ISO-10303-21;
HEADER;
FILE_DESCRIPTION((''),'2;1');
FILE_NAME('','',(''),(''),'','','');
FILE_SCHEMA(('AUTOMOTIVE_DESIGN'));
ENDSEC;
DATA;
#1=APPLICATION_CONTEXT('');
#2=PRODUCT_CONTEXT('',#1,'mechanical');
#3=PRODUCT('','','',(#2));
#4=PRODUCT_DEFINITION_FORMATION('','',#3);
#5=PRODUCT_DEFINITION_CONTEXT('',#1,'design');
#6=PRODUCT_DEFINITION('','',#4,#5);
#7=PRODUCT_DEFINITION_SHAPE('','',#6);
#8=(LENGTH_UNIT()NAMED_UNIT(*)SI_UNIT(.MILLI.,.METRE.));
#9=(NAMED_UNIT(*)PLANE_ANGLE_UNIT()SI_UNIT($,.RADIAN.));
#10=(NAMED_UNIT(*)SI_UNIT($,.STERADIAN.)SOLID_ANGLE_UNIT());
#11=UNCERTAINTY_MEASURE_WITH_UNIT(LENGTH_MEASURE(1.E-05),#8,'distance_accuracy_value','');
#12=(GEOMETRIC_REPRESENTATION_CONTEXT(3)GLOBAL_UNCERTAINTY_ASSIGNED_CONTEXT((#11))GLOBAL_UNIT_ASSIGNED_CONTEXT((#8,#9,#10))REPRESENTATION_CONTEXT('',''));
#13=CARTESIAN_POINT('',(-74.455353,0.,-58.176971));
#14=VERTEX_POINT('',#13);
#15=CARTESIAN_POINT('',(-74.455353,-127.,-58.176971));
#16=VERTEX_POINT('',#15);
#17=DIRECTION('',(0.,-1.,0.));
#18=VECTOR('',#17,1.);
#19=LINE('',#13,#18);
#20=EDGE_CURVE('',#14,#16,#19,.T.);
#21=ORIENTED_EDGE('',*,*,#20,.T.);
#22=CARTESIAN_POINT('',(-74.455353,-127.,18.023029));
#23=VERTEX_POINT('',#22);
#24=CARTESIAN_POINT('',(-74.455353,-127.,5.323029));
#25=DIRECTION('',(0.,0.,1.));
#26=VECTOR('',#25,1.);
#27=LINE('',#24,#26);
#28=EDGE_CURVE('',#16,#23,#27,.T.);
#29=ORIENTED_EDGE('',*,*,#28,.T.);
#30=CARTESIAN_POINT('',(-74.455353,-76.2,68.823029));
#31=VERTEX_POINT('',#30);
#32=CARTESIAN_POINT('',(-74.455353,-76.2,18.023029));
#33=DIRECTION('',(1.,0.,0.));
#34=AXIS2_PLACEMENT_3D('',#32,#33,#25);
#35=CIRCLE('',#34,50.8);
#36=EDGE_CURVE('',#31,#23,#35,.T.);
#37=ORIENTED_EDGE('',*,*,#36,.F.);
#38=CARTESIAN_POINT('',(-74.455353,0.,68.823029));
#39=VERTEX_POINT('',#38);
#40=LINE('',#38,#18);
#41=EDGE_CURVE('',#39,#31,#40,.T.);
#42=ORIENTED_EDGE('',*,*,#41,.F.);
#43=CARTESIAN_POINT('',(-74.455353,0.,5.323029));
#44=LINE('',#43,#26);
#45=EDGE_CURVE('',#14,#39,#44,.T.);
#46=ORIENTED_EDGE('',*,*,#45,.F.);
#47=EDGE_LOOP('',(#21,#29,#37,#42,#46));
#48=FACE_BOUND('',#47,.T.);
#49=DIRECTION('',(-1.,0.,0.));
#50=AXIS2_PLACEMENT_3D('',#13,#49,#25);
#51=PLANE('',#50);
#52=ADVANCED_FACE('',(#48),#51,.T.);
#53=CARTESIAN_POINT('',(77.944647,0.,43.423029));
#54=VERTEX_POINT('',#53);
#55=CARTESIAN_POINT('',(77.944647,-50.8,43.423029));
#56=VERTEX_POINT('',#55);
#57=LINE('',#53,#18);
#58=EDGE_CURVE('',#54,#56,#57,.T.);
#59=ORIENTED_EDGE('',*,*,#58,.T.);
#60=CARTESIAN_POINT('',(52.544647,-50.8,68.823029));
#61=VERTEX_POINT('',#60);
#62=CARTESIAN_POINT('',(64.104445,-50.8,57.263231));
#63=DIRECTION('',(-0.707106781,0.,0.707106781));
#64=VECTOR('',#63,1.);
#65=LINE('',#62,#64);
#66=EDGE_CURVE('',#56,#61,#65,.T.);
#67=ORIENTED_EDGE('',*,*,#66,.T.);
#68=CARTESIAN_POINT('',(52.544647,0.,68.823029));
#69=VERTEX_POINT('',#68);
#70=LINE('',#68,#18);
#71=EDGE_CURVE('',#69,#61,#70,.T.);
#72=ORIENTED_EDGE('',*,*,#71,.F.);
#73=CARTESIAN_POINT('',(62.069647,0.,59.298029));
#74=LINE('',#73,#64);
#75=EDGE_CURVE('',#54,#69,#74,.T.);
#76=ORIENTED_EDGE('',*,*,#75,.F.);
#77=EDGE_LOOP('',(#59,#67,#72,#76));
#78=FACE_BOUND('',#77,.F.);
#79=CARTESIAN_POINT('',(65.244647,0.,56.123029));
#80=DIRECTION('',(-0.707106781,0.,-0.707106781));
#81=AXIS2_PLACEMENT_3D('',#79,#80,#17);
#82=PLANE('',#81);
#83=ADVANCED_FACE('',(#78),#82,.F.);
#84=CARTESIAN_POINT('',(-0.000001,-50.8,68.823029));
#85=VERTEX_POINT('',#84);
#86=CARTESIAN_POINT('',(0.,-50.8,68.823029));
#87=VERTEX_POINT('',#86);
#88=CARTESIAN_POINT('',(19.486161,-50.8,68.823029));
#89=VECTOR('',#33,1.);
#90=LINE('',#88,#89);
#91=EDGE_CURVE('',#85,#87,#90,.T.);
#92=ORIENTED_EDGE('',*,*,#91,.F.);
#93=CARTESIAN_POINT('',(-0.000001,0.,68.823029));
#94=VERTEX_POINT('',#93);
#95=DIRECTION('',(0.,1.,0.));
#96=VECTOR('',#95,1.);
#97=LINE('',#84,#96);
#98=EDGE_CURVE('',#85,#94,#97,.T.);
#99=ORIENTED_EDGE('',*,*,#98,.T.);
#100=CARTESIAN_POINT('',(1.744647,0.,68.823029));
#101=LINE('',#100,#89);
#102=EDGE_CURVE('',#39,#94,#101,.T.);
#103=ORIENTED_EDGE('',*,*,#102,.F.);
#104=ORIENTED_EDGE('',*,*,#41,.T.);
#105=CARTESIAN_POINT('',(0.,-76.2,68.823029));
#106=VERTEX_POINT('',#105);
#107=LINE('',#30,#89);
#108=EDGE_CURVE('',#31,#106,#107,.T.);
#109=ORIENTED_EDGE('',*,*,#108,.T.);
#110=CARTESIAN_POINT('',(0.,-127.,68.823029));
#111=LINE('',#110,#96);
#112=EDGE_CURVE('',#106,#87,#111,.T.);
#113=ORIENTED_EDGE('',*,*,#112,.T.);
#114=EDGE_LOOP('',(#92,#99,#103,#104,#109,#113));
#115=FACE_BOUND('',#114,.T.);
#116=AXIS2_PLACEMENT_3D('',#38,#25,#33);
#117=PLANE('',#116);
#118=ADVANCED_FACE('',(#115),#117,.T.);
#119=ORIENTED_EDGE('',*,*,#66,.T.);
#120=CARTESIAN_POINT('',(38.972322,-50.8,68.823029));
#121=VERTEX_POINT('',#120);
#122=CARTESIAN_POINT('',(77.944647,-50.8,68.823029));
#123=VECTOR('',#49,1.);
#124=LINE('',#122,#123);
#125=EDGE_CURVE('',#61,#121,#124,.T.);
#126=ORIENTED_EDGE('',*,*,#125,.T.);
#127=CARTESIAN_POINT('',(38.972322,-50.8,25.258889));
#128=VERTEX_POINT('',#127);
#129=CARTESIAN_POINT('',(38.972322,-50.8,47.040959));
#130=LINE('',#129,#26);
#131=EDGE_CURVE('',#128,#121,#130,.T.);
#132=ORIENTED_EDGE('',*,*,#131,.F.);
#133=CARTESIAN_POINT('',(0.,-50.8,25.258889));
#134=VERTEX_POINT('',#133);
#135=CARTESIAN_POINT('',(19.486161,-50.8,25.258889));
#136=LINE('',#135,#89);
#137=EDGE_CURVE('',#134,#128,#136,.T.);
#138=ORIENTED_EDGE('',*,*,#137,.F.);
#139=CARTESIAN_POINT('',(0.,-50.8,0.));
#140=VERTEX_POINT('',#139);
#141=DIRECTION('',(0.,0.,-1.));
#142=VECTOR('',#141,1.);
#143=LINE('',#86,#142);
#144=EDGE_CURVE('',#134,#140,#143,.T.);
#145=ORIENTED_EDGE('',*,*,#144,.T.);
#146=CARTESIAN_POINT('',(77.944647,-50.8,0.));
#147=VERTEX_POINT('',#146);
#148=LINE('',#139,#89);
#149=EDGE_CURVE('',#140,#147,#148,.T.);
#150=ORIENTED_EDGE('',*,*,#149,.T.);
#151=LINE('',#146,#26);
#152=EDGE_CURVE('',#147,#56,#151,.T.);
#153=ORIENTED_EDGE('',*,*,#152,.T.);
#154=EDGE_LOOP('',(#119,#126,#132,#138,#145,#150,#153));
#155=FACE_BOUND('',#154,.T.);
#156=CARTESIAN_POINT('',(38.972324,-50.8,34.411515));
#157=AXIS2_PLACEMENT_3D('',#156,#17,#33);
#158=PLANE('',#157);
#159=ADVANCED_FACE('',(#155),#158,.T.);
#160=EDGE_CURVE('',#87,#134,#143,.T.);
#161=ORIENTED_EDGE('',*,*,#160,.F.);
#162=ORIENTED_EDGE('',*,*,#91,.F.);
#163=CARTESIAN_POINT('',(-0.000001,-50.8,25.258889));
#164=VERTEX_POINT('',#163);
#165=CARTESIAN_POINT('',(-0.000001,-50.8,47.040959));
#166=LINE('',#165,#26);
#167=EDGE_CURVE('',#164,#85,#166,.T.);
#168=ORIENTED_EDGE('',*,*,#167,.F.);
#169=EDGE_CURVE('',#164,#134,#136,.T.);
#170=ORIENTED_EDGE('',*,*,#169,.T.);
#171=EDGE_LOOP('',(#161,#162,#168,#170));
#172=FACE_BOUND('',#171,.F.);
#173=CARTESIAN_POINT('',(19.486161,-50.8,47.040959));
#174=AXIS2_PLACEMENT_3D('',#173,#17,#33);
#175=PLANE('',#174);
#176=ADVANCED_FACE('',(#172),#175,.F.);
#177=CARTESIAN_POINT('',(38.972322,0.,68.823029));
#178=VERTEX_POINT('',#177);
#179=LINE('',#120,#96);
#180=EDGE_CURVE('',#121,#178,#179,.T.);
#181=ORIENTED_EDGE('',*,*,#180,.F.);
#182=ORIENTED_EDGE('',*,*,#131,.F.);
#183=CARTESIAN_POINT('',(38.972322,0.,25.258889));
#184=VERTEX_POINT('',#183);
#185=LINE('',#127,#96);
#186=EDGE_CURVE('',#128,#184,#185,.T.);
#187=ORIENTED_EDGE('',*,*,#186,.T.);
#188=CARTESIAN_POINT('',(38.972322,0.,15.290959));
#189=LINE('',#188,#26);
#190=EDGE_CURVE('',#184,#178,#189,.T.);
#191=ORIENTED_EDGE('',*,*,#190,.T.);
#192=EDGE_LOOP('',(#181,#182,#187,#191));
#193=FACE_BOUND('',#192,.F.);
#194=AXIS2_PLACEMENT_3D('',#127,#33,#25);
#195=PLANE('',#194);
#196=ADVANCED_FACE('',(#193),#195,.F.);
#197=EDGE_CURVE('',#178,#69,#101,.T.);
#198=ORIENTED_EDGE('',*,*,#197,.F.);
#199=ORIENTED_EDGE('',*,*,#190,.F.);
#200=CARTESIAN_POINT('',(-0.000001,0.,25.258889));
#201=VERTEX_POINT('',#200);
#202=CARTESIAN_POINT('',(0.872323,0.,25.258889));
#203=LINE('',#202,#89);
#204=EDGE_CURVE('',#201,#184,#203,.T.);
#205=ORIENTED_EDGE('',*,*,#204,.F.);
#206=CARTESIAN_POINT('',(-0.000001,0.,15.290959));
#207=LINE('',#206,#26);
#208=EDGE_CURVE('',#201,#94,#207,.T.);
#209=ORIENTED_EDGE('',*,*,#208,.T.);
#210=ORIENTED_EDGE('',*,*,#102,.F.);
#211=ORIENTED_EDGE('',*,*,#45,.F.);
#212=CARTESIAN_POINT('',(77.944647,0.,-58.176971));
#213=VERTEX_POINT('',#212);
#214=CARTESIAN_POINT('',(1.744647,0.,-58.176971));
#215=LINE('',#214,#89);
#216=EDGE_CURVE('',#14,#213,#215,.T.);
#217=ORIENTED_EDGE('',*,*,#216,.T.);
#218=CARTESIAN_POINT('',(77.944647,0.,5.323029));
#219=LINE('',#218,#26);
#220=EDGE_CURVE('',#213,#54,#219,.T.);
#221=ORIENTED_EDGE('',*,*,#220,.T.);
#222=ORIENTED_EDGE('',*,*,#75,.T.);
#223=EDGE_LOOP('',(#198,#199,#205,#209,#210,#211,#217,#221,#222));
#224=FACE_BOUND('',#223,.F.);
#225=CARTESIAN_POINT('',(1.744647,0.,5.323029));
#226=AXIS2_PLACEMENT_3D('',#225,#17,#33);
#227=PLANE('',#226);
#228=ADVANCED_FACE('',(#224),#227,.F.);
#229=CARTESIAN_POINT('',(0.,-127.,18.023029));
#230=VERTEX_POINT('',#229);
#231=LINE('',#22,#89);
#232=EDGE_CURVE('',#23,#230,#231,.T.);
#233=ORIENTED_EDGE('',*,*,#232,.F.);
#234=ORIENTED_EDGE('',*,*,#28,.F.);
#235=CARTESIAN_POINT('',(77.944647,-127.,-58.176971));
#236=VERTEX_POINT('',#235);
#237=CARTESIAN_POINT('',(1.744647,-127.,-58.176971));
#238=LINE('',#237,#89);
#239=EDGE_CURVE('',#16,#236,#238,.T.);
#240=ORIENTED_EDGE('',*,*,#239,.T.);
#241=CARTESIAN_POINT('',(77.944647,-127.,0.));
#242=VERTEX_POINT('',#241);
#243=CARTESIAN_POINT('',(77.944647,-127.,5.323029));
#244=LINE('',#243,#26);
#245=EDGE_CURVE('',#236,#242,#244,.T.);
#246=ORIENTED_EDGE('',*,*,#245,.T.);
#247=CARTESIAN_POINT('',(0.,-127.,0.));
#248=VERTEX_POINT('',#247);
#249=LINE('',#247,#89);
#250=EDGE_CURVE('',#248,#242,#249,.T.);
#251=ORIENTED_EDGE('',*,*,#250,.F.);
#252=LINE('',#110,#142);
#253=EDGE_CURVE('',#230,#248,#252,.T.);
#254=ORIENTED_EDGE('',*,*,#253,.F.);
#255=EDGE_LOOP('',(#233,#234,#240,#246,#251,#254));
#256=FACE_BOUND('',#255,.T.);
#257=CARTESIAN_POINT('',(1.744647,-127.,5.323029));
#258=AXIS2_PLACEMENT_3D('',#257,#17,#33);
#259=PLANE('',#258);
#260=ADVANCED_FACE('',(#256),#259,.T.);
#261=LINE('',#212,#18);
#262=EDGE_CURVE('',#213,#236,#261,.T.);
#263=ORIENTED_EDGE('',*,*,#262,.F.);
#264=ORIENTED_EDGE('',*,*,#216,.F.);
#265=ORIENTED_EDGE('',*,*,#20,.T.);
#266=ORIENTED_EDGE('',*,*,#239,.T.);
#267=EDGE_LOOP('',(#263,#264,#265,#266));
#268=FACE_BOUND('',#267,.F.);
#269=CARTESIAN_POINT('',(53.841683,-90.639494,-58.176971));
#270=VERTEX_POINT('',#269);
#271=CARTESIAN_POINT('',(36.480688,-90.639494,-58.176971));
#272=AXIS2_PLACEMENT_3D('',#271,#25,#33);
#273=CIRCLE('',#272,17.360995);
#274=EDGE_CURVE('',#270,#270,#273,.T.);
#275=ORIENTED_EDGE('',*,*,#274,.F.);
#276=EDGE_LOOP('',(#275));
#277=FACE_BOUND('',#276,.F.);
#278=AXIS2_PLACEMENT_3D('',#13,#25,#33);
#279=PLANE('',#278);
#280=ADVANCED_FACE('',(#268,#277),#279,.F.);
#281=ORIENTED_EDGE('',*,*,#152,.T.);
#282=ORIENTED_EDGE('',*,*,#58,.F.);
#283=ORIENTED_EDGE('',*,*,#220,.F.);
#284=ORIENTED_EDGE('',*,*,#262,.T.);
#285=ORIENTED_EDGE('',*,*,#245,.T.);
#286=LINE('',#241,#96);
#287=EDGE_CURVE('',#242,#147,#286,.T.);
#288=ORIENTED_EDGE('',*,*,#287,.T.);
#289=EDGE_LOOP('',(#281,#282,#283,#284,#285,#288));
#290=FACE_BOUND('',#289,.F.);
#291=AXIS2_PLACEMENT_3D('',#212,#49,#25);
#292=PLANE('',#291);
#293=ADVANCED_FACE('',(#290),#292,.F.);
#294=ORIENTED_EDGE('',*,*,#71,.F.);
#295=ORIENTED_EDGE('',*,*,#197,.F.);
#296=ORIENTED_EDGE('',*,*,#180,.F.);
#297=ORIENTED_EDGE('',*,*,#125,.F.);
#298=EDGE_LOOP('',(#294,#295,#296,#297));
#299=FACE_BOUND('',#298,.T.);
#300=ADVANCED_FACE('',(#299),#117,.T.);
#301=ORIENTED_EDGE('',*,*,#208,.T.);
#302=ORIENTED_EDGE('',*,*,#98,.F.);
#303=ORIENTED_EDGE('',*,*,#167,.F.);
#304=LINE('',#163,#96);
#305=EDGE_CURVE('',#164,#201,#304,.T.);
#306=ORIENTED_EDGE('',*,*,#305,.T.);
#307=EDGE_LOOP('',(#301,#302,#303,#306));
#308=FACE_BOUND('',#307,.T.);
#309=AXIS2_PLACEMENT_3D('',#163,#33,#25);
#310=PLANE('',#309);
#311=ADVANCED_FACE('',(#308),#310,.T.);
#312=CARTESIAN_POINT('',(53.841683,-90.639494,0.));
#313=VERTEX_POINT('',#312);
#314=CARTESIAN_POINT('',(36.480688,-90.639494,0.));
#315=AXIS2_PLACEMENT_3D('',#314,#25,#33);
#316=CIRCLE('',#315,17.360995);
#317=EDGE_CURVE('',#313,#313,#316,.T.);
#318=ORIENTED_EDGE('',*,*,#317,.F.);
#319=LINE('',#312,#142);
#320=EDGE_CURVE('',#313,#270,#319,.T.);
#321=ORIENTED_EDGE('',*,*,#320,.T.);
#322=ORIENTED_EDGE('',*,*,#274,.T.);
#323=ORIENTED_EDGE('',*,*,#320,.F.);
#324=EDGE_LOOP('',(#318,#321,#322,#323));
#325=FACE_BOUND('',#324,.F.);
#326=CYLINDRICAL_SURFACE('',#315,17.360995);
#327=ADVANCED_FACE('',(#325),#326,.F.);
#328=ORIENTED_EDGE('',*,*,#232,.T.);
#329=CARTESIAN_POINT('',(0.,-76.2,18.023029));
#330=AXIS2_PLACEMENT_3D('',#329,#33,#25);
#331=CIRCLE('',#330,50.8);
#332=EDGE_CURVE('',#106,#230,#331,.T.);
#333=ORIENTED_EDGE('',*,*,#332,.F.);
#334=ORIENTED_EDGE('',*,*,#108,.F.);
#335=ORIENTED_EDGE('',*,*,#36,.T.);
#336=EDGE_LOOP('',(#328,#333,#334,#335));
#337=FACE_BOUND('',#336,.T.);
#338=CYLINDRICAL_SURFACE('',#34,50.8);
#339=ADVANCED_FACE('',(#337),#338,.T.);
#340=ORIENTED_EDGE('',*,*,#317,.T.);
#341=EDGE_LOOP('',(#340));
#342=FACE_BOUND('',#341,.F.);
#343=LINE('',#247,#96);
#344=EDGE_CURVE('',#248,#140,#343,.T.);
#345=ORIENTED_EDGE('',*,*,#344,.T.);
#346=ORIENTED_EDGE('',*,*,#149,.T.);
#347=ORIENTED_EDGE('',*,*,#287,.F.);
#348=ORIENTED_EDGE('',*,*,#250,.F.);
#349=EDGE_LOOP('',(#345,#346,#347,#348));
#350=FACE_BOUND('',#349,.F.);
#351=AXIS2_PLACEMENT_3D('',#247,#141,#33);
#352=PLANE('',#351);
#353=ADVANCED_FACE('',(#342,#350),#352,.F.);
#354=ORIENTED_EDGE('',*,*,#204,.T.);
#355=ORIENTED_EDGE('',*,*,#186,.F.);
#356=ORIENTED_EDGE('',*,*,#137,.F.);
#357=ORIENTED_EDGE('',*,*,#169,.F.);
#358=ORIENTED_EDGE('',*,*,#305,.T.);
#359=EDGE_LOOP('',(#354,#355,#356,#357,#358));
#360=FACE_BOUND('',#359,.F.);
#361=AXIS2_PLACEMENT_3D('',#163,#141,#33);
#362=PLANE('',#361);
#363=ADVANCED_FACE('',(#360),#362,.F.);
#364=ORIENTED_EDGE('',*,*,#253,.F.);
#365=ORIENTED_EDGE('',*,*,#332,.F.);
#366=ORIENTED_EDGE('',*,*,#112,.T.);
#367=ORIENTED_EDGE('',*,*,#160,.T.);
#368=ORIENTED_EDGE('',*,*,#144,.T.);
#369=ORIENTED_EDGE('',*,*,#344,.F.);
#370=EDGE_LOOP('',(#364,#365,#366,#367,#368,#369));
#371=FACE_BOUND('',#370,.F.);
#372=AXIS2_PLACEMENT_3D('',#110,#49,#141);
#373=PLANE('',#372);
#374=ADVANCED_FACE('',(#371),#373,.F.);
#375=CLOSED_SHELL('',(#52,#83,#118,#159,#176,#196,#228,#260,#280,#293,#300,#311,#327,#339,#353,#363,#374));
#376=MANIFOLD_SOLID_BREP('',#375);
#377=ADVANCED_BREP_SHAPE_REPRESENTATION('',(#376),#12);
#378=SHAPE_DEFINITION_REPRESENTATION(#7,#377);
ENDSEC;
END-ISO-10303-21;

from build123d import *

# Parameters (mm, degrees)
F0_W     = 152.4
F0_H     = 127
F1_DEPTH = 127
F3_DEPTH = 76.2
F4_W     = 38.972323
F4_H     = 43.56414
F5_DEPTH = 50.801
F6_R     = 17.360995
F7_DEPTH = 58.177971
F8_SIZE  = 25.4
F9_R     = 50.8


with BuildPart() as f1:
    # F0 (on Front) → F1 (new body)
    with BuildSketch(Plane.XZ):
        with Locations((1.744647, 5.323029)):
            Rectangle(F0_W, F0_H)
    extrude(amount=F1_DEPTH)

    # F2 (on face) → F3 (cut)
    with BuildSketch(Plane.XZ.offset(127)):
        Polygon((1.744647, 68.823029), (0, 68.823029), (0, 0), (77.944647, 0), (77.944647, 68.823029), align=None)
    extrude(amount=-F3_DEPTH, mode=Mode.SUBTRACT)

    # F4 (on face) → F5 (cut, through all)
    with BuildSketch(Plane.XZ.offset(50.8)):
        with Locations((19.486161, 47.040959)):
            Rectangle(F4_W, F4_H)
    extrude(amount=-F5_DEPTH, mode=Mode.SUBTRACT)

    # F6 (on face) → F7 (cut, through all)
    with BuildSketch(Plane.XY):
        with Locations((36.480688, -90.639494)):
            Circle(F6_R)
    extrude(amount=-F7_DEPTH, mode=Mode.SUBTRACT)

    # F8
    f8_edges = [f1.edges().sort_by_distance(p)[0] for p in [
        (77.944647, -25.4, 68.823029),
    ]]
    chamfer(f8_edges, length=F8_SIZE)

    # F9
    f9_edges = [f1.edges().sort_by_distance(p)[0] for p in [
        (-37.227677, -127, 68.823029),
    ]]
    fillet(f9_edges, radius=F9_R)


solid = f1.part
